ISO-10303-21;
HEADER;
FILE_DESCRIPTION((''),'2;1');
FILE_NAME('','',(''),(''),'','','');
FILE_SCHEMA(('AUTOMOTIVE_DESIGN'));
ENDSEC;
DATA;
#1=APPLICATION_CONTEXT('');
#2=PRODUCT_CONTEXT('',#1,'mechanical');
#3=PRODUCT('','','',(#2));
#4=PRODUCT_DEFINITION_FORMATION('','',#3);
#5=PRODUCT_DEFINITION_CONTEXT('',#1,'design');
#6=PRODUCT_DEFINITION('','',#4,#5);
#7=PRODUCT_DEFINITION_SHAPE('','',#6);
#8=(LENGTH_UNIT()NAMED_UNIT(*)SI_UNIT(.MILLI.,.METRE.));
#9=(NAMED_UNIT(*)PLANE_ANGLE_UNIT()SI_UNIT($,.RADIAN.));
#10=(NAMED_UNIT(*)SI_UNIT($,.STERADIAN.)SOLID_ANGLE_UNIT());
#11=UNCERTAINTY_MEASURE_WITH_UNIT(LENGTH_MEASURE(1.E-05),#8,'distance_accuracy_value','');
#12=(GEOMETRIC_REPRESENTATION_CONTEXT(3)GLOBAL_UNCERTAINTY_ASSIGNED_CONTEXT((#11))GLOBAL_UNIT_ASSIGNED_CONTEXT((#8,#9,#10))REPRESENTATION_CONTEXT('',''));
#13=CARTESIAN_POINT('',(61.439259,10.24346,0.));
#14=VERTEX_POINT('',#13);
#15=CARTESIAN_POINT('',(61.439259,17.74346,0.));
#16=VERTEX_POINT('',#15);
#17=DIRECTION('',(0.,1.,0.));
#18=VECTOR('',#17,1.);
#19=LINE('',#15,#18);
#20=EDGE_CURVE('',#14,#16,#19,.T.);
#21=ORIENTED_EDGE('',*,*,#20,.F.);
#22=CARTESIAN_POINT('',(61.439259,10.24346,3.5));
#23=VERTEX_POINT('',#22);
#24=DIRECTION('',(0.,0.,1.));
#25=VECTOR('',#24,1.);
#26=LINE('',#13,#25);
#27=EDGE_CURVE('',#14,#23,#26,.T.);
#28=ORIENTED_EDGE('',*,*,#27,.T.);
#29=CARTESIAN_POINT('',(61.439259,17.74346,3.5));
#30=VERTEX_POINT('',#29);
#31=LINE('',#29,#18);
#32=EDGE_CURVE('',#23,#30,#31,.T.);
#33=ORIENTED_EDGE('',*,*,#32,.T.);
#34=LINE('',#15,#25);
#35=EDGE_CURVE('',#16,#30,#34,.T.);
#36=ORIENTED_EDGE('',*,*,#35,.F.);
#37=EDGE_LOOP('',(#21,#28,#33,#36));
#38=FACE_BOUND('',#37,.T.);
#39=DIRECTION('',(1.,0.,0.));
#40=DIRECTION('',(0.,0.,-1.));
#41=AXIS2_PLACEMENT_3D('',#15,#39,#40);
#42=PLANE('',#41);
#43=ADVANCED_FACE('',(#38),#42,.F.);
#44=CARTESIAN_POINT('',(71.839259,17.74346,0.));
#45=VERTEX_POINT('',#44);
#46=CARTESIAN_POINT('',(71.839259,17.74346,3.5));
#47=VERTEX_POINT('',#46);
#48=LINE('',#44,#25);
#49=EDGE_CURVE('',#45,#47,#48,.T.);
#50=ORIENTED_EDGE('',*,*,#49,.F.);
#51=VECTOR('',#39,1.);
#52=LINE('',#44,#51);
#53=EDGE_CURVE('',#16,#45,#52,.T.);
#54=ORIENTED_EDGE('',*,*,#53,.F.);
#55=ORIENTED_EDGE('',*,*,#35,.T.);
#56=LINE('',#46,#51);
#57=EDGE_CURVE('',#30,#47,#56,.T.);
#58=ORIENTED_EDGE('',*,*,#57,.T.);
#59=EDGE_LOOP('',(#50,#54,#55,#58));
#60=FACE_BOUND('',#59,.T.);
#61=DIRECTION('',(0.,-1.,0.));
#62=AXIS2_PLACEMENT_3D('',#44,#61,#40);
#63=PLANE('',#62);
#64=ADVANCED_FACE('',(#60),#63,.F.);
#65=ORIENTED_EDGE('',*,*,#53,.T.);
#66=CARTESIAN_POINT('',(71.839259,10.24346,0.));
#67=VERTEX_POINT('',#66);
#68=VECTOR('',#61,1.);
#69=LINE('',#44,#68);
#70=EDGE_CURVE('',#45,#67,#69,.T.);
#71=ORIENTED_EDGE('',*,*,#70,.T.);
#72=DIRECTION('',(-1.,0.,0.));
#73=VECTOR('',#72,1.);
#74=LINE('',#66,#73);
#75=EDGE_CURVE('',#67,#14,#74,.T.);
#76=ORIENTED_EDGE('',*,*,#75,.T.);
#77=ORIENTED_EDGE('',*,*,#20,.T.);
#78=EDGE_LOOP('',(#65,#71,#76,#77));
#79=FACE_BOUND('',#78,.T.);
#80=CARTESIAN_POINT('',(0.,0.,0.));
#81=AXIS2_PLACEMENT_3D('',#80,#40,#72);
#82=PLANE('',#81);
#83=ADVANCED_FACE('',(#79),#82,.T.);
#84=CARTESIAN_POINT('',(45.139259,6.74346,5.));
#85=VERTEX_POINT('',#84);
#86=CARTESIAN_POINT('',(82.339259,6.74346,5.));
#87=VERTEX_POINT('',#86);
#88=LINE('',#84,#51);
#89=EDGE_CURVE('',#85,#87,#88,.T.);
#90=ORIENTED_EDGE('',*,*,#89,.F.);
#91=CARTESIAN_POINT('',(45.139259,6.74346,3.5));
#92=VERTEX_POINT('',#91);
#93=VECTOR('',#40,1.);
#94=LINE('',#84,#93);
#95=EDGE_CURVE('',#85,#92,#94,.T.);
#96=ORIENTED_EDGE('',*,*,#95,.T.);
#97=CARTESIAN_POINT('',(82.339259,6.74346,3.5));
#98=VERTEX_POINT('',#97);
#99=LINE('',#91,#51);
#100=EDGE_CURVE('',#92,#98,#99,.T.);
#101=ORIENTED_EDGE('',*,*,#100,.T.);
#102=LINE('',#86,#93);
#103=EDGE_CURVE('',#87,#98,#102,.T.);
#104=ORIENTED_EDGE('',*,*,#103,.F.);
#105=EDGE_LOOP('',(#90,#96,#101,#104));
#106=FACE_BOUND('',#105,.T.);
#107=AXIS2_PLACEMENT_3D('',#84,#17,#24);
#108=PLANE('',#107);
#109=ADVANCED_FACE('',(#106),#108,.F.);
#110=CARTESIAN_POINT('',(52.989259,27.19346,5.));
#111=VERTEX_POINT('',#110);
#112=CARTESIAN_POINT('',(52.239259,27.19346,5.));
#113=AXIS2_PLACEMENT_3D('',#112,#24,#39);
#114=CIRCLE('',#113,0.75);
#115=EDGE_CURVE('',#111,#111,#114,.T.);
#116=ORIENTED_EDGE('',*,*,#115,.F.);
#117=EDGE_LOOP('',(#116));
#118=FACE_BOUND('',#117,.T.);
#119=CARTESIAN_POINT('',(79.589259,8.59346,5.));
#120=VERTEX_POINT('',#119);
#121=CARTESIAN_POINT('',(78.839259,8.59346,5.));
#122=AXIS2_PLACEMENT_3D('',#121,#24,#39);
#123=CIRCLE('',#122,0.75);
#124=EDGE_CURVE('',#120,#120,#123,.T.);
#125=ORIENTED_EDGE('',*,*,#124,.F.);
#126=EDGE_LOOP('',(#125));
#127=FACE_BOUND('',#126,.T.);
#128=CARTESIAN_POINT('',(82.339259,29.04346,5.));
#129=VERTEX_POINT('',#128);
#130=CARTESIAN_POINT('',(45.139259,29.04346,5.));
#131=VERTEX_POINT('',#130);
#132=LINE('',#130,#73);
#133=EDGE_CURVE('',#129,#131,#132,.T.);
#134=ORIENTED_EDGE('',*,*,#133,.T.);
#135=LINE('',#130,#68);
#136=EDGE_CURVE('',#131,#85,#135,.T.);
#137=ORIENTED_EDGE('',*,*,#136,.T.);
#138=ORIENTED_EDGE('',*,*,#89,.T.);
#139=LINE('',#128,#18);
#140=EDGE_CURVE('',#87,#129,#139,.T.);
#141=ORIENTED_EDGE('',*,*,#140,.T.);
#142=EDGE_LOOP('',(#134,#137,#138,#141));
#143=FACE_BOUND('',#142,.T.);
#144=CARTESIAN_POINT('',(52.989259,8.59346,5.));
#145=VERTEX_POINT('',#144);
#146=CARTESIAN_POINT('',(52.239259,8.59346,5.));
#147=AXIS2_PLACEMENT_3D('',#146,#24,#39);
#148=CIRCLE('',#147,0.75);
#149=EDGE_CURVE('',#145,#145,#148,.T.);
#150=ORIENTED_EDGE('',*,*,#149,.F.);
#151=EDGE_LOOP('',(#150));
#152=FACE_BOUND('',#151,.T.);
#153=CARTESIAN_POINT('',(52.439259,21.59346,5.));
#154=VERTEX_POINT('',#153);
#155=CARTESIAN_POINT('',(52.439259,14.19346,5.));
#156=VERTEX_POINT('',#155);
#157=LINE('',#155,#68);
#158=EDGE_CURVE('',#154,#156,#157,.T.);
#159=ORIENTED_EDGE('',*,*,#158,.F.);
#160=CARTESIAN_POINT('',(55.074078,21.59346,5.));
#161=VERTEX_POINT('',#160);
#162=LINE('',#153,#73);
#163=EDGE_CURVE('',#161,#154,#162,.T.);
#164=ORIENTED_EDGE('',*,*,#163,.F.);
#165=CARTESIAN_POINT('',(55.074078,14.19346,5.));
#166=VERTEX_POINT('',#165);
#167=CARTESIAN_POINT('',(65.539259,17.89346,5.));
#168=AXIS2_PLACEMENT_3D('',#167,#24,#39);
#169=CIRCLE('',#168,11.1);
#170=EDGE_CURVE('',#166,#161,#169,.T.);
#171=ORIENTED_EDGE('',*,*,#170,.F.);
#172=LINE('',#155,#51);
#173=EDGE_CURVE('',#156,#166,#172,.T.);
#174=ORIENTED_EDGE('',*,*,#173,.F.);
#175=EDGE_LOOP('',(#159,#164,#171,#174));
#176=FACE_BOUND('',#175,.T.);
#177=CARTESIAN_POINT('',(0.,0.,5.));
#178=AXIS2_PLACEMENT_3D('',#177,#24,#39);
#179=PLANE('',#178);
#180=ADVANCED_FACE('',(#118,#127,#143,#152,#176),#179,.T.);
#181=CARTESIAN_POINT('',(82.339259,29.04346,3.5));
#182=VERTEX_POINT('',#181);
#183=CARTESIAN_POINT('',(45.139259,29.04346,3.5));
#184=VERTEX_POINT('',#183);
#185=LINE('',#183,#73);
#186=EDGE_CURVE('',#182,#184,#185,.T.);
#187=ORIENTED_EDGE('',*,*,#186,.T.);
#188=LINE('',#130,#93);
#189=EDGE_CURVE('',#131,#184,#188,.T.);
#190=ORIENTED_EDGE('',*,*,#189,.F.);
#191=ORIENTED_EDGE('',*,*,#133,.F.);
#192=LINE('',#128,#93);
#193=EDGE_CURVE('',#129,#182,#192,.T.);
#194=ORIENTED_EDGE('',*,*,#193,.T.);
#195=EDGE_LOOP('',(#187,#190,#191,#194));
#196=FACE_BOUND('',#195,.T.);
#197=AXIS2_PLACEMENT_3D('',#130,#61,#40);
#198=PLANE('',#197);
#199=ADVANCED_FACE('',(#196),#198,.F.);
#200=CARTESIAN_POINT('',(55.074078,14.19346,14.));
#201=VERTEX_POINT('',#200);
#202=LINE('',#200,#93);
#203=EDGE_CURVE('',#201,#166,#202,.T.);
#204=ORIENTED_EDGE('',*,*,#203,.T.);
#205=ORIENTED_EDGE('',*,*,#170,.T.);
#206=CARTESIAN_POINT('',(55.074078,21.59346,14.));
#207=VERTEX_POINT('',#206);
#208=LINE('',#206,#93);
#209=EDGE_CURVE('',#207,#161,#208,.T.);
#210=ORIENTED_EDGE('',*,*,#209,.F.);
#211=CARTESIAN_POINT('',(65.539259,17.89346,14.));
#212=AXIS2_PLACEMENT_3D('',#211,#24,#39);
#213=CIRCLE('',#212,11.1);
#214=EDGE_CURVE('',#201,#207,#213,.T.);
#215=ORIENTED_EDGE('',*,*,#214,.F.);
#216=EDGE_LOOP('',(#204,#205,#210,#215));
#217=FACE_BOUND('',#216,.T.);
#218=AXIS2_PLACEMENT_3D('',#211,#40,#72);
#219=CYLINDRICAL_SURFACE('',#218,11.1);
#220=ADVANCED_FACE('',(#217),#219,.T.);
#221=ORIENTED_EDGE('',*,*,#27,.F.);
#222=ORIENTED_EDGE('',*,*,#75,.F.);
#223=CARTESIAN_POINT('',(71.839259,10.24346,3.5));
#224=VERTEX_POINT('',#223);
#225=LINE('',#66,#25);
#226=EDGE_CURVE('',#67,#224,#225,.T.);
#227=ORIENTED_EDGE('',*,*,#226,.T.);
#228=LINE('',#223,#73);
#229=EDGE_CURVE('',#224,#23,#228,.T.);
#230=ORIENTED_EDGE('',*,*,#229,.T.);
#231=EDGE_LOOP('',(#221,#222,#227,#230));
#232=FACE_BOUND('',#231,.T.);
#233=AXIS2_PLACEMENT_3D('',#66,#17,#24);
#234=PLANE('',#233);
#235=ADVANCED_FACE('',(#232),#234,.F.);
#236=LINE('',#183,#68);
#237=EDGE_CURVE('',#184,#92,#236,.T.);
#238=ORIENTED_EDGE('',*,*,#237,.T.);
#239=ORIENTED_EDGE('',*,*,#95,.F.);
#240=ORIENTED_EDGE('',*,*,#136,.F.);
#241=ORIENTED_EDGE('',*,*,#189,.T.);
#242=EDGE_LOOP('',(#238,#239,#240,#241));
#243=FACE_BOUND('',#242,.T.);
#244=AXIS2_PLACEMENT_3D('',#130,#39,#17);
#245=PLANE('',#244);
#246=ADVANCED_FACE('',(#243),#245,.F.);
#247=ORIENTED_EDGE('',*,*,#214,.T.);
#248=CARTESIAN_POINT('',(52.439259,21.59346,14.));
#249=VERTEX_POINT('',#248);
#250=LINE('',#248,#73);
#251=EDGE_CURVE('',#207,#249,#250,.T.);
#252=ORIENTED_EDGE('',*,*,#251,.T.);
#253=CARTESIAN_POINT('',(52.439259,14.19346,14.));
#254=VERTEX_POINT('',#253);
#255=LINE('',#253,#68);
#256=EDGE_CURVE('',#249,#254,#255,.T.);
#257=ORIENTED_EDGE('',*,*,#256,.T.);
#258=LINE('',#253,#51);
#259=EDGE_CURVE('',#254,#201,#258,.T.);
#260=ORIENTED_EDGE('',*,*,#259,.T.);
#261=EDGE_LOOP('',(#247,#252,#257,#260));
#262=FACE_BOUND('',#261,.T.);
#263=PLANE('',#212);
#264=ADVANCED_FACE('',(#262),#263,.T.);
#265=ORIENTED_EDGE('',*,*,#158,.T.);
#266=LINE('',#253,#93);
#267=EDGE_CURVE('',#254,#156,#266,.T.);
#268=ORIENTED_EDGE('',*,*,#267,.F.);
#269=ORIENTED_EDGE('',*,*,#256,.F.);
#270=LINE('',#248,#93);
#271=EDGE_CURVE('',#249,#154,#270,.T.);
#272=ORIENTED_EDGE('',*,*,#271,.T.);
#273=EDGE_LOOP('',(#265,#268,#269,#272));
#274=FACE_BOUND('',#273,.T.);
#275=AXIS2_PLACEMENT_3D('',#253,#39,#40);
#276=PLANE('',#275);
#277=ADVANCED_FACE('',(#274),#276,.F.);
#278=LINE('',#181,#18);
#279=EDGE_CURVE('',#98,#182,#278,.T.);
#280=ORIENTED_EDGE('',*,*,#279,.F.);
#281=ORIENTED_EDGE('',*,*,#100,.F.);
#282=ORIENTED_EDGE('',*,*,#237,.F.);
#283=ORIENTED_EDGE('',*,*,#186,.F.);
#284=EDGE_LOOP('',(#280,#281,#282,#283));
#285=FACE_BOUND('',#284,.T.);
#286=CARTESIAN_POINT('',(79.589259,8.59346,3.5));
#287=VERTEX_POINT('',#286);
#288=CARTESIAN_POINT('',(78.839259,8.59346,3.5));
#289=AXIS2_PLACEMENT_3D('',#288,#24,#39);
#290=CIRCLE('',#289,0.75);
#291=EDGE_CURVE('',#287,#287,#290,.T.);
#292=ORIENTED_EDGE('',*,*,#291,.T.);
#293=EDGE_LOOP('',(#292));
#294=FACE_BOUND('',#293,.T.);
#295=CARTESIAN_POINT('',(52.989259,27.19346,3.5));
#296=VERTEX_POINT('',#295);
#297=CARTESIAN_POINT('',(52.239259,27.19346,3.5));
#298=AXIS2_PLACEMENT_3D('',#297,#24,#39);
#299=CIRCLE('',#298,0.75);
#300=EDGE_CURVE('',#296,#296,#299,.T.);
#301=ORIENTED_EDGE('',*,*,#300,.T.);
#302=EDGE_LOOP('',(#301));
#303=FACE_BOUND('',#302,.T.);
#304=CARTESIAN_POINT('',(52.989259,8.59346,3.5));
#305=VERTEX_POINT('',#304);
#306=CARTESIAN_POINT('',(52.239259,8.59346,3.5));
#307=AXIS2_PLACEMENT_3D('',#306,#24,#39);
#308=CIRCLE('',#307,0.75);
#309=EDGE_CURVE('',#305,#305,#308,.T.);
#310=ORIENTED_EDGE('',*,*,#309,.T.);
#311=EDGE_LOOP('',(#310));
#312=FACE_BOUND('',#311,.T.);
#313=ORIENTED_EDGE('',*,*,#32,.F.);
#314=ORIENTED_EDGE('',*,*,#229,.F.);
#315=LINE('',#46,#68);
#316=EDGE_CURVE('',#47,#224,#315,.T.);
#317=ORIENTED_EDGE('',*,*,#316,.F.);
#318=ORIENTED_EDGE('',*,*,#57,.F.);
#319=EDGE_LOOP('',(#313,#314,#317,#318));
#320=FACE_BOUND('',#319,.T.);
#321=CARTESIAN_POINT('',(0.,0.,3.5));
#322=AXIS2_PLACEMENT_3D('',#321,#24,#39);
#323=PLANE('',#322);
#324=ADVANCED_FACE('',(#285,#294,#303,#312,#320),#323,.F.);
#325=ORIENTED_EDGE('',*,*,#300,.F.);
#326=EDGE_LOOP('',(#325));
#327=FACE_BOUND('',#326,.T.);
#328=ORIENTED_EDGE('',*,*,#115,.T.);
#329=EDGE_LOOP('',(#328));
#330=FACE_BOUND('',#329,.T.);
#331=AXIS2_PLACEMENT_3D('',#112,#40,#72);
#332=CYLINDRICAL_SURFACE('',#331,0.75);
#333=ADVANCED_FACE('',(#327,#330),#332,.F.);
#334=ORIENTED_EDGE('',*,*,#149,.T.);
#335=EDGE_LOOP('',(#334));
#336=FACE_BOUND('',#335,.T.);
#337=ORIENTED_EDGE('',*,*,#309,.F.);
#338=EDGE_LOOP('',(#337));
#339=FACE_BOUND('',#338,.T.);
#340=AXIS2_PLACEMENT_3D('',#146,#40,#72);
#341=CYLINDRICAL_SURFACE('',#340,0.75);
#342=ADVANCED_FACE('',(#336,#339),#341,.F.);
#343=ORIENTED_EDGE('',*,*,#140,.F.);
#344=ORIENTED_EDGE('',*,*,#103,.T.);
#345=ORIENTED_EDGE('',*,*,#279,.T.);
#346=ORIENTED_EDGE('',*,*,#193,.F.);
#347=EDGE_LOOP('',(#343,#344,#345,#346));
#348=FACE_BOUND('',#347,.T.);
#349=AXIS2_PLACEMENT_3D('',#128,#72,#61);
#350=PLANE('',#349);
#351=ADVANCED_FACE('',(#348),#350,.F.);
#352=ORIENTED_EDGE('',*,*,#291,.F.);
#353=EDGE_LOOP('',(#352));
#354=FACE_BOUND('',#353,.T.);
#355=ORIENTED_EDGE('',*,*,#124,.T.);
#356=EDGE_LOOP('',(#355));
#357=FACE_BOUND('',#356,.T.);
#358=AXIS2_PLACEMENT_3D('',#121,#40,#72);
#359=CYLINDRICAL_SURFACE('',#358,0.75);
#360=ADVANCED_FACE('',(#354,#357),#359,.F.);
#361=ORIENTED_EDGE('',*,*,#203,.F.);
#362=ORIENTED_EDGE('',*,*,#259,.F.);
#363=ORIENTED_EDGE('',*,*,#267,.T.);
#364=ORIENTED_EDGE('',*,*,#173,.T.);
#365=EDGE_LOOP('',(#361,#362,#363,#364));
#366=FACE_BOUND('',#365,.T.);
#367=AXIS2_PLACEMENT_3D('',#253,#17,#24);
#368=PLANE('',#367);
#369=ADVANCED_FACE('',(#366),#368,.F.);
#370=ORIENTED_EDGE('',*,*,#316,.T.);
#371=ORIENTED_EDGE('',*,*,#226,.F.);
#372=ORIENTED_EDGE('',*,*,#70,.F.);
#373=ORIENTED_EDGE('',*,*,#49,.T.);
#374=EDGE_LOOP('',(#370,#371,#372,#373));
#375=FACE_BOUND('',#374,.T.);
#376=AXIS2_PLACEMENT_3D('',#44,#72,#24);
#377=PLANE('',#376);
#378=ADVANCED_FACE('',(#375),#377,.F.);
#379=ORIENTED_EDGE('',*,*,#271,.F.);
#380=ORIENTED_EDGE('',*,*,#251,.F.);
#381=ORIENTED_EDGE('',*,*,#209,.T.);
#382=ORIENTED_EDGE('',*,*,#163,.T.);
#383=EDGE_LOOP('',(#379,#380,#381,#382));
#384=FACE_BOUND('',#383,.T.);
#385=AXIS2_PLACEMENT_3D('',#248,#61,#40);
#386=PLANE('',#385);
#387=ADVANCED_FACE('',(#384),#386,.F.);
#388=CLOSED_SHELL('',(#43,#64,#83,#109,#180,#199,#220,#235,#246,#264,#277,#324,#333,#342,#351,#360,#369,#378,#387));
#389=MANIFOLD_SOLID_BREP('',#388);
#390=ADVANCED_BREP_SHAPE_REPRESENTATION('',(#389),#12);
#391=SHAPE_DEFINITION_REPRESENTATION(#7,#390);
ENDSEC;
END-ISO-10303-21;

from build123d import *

# Parameters (mm, degrees)
SKETCH_1_W          = 37.2
SKETCH_1_H          = 22.3
SKETCH_1_R          = 0.75
EXTRUDE_1_DEPTH     = 5
SKETCH_1_3_W        = 37.2
SKETCH_1_3_H        = 22.3
SKETCH_1_3_R        = 0.75
CUT_EXTRUDE_2_DEPTH = 3.5
EXTRUDE_3_DEPTH     = 9
SKETCH_4_W          = 10.4
SKETCH_4_H          = 7.5
EXTRUDE_4_DEPTH     = 3.5


with BuildPart() as part:
    # 草圖1 → 填料-伸長1 (new body)
    with BuildSketch(Plane.XY):
        with Locations((63.739258578, 17.893460251)):
            Rectangle(SKETCH_1_W, SKETCH_1_H)
        with Locations((78.839258578, 8.593460251)):
            Circle(SKETCH_1_R, mode=Mode.SUBTRACT)
        with Locations((52.239258578, 27.193460251)):
            Circle(SKETCH_1_R, mode=Mode.SUBTRACT)
        with Locations((52.239258578, 8.593460251)):
            Circle(SKETCH_1_R, mode=Mode.SUBTRACT)
    extrude(amount=EXTRUDE_1_DEPTH)

    # 草圖1<3> → 除料-伸長2 (cut)
    with BuildSketch(Plane.XY):
        with Locations((63.739258578, 17.893460251)):
            Rectangle(SKETCH_1_3_W, SKETCH_1_3_H)
        with Locations((78.839258578, 8.593460251)):
            Circle(SKETCH_1_3_R, mode=Mode.SUBTRACT)
        with Locations((52.239258578, 27.193460251)):
            Circle(SKETCH_1_3_R, mode=Mode.SUBTRACT)
        with Locations((52.239258578, 8.593460251)):
            Circle(SKETCH_1_3_R, mode=Mode.SUBTRACT)
    extrude(amount=CUT_EXTRUDE_2_DEPTH, mode=Mode.SUBTRACT)

    # 草圖3 → 填料-伸長3 (add)
    with BuildSketch(Plane.XY.offset(5)):
        with BuildLine():
            Line((52.439258578, 14.193460251), (55.074078216, 14.193460251))
            ThreePointArc((55.074078216, 14.193460251), (76.639258578, 17.893460251), (55.074078216, 21.593460251))
            Line((55.074078216, 21.593460251), (52.439258578, 21.593460251))
            Line((52.439258578, 21.593460251), (52.439258578, 14.193460251))
        make_face()
    extrude(amount=EXTRUDE_3_DEPTH)

    # 草圖4 → 填料-伸長4 (add)
    with BuildSketch(Plane(origin=(0, 0, 3.5), x_dir=(-1, 0, 0), z_dir=(0, 0, -1))):
        with Locations((-66.639258578, 13.993460251)):
            Rectangle(SKETCH_4_W, SKETCH_4_H)
    extrude(amount=EXTRUDE_4_DEPTH)


solid = part.part
